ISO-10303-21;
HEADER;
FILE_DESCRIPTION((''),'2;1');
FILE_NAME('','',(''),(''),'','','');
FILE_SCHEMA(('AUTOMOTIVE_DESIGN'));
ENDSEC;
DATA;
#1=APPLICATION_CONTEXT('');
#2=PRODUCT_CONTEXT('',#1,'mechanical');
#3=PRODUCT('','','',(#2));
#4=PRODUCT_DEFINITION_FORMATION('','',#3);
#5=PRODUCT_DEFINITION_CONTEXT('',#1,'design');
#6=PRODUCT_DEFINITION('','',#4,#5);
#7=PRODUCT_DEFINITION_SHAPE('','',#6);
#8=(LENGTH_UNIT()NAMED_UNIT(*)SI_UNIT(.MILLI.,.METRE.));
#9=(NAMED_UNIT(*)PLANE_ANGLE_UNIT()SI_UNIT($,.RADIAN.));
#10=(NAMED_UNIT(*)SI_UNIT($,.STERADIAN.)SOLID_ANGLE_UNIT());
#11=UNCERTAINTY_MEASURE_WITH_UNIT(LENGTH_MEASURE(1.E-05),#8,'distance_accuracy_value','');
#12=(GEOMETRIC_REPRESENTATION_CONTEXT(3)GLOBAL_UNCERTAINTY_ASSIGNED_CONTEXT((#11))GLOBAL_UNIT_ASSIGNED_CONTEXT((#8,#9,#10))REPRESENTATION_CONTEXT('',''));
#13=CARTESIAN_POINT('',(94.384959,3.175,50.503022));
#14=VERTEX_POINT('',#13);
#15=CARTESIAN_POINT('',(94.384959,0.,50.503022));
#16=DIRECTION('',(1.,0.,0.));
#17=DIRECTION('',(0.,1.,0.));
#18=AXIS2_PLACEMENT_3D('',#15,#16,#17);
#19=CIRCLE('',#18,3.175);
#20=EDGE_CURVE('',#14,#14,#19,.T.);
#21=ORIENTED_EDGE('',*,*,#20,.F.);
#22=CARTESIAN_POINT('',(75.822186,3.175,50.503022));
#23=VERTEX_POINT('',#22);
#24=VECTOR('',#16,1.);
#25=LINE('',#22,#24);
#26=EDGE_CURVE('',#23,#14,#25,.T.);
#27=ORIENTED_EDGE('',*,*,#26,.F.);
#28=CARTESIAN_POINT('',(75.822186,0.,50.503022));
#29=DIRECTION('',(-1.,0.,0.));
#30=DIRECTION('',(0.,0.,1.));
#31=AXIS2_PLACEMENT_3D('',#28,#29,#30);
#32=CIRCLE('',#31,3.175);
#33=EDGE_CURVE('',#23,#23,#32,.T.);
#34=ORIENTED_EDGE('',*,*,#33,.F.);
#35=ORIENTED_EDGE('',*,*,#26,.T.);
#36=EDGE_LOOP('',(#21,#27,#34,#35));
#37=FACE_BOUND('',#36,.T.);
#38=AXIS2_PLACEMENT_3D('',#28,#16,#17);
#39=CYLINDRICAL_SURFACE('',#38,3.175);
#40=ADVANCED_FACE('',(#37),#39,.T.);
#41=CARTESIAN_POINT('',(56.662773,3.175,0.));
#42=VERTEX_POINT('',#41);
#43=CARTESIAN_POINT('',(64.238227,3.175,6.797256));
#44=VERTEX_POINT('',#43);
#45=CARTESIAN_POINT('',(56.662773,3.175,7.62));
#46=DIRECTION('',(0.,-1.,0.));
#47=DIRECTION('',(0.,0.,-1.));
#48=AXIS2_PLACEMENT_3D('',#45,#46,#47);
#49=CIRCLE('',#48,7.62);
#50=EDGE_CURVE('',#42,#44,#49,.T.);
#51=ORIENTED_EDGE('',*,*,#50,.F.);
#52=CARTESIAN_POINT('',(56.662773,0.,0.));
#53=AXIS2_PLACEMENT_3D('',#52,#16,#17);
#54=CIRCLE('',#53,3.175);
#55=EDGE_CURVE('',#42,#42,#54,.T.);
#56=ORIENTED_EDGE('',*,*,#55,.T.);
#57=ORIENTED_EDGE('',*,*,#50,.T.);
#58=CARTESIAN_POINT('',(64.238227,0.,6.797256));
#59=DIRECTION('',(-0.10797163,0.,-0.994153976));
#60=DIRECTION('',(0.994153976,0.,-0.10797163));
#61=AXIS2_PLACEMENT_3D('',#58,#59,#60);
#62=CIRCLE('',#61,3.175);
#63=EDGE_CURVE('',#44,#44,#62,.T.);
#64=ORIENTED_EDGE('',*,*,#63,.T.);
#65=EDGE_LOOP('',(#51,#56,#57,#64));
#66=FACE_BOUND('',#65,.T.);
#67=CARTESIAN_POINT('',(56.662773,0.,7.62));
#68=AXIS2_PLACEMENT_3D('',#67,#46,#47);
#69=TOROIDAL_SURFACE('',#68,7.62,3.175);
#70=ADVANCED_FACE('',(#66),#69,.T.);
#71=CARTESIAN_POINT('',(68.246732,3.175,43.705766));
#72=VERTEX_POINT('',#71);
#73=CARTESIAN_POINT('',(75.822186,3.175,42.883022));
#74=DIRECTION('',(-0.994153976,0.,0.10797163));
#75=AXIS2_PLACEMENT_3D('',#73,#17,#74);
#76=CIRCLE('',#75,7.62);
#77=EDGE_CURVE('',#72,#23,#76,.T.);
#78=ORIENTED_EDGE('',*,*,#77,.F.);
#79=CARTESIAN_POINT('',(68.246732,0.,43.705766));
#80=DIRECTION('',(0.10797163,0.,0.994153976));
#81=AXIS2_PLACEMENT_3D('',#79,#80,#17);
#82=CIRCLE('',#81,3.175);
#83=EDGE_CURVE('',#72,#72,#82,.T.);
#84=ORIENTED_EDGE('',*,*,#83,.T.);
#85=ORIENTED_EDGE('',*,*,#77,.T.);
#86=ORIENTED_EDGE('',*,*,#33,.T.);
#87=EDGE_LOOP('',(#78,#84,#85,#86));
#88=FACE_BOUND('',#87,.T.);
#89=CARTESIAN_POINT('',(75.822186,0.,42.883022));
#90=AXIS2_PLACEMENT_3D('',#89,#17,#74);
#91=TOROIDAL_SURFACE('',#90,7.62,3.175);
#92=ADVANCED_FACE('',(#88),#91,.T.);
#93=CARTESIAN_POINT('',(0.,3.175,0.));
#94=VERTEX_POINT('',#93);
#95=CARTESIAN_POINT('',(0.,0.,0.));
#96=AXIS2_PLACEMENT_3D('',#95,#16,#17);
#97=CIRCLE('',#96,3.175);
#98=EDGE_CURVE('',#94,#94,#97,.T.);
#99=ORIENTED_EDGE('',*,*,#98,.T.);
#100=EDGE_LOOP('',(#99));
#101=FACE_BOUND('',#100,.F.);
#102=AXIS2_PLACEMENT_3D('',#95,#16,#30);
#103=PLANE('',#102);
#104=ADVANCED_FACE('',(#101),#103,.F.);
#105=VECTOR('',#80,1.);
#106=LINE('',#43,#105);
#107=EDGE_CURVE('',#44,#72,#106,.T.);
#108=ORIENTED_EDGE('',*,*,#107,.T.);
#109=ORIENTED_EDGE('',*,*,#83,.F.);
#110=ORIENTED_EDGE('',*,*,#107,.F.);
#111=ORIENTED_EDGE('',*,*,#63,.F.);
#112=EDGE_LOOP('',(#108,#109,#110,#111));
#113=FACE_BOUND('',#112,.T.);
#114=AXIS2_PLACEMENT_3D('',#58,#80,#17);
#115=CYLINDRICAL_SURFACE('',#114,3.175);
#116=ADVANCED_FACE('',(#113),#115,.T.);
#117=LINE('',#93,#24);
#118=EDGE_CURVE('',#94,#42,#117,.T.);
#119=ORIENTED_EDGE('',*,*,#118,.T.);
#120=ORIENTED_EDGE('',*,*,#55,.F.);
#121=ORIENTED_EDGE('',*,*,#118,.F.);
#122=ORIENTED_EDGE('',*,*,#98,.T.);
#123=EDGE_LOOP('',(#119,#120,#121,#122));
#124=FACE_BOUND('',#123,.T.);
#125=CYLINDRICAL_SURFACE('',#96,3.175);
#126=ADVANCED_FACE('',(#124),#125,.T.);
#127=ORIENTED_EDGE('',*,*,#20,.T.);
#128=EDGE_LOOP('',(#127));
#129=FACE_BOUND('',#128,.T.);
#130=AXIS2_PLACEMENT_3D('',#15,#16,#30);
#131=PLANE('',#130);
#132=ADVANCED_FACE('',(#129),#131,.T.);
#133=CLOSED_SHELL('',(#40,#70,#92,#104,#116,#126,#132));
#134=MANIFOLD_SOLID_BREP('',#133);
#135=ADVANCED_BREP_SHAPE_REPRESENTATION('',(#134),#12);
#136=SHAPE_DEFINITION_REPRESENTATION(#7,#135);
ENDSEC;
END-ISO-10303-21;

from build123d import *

# Parameters (mm, degrees)
F0_R = 3.175


with BuildPart() as f2:
    # F2: sweep along a path in F1
    with BuildLine(Plane.XZ) as f2_path:
        Line((0, 0), (56.6627732287, 0))
        ThreePointArc((56.6627732287, 0), (61.7517363875, 1.9484169786), (64.2382265221, 6.7972561761))
        Line((64.2382265221, 6.7972561761), (68.2467323037, 43.7057657798))
        ThreePointArc((68.2467323037, 43.7057657798), (70.7332224383, 48.5546049773), (75.822185597, 50.5030219559))
        Line((75.822185597, 50.5030219559), (94.3849588258, 50.5030219559))
    # F0 (on Right) → F2 (sweep)
    with BuildSketch(Plane.YZ):
        Circle(F0_R)
    sweep(path=f2_path.line)


solid = f2.part
